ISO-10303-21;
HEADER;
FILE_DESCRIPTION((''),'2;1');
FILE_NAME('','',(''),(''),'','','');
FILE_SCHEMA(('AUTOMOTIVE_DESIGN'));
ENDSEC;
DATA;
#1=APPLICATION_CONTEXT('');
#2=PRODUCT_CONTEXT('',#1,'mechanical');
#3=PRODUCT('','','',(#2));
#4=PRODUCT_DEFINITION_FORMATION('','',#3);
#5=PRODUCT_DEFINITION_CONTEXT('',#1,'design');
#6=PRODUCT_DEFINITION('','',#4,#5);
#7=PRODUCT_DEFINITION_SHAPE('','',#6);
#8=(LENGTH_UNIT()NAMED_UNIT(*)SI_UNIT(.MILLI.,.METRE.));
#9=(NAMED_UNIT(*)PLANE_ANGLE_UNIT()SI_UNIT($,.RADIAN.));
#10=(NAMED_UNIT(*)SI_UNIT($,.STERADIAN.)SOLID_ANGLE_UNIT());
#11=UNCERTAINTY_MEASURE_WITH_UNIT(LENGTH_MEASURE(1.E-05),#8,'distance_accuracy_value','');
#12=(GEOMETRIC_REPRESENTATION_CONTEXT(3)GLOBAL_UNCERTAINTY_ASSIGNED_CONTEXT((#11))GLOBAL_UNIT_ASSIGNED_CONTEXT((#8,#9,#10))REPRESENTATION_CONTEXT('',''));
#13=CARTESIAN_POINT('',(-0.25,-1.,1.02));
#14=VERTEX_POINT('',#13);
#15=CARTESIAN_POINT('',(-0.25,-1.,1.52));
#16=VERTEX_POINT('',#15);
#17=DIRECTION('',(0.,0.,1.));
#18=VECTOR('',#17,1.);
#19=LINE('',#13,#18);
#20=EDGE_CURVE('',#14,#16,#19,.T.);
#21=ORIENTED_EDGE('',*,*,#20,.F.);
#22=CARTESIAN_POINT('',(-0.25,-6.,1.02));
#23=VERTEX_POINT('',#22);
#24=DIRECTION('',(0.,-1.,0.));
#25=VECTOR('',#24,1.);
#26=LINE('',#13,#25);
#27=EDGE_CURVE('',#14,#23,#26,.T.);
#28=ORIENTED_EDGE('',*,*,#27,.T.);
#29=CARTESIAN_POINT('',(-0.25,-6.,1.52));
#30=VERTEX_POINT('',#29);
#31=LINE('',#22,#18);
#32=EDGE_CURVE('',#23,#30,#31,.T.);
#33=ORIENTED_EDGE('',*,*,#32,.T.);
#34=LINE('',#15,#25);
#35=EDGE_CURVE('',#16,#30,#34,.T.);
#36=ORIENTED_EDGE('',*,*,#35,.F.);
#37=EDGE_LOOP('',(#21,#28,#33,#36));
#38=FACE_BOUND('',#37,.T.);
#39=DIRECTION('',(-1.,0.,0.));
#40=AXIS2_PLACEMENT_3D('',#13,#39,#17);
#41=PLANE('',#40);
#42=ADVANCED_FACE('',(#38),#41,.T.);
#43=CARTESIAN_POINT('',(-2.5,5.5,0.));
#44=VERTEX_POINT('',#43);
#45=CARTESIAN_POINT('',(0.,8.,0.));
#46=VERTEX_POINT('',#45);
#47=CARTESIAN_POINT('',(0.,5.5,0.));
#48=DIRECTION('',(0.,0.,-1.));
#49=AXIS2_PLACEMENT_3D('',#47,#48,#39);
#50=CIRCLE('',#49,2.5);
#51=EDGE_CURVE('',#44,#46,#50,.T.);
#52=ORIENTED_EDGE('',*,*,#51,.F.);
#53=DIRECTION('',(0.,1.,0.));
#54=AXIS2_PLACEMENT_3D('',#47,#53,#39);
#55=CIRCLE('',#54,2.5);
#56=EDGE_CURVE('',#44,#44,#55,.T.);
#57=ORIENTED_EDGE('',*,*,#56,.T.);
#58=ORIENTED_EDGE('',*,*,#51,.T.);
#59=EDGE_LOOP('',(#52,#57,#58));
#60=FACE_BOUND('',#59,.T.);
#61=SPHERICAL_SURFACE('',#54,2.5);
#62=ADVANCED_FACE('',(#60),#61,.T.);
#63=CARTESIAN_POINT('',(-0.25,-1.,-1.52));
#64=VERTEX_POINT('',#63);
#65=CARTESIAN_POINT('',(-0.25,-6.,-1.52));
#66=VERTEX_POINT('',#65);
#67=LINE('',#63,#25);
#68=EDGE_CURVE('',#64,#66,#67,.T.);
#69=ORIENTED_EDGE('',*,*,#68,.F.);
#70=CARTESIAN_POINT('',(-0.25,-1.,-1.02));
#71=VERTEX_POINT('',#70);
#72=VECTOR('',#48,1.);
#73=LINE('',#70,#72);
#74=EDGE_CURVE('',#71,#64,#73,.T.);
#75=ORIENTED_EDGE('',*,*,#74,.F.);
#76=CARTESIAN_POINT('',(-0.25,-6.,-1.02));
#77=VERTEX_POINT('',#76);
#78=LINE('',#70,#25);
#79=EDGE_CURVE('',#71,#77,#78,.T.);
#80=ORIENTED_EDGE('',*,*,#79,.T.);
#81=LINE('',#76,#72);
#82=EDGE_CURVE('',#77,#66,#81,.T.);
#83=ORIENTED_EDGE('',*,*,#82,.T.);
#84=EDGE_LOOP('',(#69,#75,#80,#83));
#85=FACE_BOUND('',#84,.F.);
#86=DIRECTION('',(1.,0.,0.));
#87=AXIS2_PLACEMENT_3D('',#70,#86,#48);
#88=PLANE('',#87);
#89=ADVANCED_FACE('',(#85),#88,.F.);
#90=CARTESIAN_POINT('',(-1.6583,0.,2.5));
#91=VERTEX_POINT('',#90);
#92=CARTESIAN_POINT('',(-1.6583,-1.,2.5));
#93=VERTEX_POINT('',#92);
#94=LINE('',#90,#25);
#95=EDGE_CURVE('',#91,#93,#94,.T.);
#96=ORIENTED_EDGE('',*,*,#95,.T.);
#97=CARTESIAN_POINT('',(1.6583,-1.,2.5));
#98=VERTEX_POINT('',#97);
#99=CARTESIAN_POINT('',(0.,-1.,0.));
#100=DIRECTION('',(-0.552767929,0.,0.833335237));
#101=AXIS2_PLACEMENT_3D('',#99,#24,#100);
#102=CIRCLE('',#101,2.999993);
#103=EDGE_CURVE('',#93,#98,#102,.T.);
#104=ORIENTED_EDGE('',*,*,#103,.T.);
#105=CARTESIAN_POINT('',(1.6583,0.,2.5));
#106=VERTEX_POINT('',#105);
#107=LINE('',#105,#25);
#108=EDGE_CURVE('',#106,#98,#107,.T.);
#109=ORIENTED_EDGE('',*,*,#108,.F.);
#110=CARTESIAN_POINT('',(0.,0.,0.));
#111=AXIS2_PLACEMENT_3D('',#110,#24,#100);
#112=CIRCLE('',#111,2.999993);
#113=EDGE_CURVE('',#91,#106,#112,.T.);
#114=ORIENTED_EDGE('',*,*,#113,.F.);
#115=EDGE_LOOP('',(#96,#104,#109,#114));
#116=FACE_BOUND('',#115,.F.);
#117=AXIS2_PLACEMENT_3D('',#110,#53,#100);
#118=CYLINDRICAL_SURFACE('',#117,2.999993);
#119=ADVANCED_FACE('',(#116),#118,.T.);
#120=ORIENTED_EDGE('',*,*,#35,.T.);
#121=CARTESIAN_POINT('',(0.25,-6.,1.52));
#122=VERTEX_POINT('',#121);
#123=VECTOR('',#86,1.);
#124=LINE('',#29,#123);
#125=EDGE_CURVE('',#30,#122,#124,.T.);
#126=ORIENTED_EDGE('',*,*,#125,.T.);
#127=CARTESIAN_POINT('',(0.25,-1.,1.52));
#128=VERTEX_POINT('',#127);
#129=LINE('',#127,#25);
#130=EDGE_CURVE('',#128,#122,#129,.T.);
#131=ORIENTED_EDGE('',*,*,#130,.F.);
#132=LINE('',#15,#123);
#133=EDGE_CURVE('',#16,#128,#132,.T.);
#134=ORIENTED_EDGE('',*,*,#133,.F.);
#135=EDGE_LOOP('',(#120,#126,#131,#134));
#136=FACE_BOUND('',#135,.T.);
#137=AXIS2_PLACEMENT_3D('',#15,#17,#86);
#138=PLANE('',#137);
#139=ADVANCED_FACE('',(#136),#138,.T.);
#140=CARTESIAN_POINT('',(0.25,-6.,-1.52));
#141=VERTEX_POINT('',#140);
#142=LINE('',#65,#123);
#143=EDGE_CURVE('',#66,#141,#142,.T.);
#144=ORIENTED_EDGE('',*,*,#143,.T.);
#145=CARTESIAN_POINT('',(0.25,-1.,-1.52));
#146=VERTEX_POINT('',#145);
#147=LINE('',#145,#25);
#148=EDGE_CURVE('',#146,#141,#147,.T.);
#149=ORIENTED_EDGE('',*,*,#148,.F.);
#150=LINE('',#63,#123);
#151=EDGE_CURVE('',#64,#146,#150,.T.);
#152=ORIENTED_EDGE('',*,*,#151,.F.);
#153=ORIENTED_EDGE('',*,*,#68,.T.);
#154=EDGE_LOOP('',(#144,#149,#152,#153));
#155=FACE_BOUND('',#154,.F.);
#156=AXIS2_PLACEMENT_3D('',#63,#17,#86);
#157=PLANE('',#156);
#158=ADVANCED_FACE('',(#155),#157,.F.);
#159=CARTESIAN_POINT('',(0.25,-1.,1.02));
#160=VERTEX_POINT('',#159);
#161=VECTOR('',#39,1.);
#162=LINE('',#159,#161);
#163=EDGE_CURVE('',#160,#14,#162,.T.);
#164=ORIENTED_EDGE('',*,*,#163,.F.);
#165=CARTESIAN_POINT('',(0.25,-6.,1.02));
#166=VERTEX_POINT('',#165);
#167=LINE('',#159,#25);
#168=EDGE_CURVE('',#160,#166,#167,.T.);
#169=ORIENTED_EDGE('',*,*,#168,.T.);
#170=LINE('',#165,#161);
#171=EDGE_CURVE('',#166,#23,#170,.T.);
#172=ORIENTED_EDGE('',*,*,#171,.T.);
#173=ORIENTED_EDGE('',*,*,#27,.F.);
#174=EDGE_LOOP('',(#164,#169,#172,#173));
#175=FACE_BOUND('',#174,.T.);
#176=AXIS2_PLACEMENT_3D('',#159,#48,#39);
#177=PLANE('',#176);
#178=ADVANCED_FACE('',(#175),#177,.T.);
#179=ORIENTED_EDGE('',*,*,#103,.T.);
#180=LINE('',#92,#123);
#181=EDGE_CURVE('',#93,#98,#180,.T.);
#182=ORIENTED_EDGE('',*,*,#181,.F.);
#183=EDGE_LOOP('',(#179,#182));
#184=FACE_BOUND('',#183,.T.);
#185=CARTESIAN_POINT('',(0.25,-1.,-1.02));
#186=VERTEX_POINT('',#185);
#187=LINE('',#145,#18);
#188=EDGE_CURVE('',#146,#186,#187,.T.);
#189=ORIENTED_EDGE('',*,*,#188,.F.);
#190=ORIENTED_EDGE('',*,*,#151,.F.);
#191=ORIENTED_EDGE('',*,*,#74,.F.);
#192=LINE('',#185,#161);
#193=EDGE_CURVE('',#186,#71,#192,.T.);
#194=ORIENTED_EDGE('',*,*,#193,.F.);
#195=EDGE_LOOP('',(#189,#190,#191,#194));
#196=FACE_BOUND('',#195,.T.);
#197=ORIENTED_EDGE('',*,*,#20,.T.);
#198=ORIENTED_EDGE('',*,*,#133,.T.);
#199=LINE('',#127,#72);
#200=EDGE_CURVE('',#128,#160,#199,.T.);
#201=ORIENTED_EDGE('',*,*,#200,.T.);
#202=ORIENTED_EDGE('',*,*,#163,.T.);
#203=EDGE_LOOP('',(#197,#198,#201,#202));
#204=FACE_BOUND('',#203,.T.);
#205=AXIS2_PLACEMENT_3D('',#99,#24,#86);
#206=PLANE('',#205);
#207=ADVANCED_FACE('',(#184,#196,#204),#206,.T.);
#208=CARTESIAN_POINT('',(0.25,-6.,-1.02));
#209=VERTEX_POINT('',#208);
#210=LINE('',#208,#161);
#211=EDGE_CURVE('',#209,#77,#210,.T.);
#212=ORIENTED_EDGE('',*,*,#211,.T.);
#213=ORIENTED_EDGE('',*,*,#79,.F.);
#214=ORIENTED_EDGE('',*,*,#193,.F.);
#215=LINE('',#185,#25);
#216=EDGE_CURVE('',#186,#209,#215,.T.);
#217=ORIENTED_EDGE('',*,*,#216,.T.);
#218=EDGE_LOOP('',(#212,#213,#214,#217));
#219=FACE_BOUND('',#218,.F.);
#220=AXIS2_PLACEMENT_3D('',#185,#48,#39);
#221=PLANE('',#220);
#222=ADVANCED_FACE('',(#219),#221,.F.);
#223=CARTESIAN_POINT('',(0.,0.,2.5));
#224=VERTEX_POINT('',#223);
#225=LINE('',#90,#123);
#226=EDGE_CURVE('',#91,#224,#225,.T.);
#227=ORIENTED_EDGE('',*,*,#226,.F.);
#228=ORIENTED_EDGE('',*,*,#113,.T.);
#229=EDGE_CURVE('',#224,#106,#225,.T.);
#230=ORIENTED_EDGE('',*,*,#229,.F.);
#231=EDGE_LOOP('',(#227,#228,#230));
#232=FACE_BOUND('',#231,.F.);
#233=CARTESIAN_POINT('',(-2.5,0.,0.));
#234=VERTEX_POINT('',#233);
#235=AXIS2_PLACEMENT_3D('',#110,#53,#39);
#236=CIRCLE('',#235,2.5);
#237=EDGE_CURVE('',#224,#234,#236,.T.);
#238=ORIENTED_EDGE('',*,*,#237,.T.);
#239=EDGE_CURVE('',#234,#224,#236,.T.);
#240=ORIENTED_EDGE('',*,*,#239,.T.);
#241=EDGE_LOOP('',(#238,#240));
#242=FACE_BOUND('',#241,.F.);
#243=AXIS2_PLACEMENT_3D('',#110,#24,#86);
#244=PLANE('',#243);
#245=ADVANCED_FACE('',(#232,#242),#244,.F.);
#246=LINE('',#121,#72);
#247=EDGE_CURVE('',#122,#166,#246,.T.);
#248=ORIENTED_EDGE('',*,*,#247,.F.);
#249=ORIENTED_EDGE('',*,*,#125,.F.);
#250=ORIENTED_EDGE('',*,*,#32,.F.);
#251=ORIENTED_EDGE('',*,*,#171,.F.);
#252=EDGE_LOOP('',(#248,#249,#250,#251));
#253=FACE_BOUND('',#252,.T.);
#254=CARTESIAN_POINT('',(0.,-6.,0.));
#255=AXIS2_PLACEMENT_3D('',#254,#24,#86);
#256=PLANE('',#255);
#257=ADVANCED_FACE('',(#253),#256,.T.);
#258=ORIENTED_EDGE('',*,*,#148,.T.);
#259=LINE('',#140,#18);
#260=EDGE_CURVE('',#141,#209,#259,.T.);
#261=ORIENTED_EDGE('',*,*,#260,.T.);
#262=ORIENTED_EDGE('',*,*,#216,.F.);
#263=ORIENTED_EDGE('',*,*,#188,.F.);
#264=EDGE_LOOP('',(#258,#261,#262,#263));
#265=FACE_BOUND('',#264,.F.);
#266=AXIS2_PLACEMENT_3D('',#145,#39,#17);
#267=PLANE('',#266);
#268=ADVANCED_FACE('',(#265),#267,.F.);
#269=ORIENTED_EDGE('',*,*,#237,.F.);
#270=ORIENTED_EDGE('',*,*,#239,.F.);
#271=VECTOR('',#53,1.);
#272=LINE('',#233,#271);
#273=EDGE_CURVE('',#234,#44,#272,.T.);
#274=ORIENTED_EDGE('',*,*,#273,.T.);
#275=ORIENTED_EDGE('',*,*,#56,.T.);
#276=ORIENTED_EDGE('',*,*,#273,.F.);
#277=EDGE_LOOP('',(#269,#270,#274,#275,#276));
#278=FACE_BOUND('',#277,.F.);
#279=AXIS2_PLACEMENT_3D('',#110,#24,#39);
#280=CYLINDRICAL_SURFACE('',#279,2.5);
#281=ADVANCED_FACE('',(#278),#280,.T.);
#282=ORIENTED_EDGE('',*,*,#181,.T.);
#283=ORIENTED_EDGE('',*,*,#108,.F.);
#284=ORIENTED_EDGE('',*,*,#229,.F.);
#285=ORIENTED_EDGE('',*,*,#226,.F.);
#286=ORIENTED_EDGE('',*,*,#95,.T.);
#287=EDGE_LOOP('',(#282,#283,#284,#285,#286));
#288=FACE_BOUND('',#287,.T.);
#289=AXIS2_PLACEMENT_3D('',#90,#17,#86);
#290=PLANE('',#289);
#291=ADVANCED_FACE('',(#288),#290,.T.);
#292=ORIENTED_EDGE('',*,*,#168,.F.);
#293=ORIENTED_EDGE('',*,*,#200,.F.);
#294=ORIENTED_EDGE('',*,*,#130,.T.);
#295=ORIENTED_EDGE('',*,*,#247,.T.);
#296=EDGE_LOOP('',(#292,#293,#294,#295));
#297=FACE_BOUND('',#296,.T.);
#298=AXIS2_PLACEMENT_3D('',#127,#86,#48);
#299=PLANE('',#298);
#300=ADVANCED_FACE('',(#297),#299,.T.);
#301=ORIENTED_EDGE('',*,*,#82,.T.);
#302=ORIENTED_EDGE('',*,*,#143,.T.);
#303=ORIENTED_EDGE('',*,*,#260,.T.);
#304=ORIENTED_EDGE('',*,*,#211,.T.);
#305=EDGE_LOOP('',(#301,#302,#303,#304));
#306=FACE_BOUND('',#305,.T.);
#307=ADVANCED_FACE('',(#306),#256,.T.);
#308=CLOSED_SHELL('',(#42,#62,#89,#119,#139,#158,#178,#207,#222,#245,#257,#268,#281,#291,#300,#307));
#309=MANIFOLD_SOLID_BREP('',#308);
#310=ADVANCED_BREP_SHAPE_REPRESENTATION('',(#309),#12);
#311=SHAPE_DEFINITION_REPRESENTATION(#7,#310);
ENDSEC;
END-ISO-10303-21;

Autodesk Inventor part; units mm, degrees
ref_plane "YZ Plane" through (0, 0, 0) normal (1, 0, 0) x (0, 1, 0)
ref_plane "XZ Plane" through (0, 0, 0) normal (0, 1, 0) x (-1, 0, 0)
ref_plane "XY Plane" through (0, 0, 0) normal (0, 0, 1) x (1, 0, 0)
sketch "Skizze1" plane through (0, 0, 0) normal (0, 1, 0) x (-1, 0, 0)
  circle A0 centre (0, 0) radius 2.5
  dimension "d0" = 5
extrude "Höhe" add sketch "Skizze1" along normal blind 8
fillet "Radius_Kopf" radius 2.5 1 edges at (2.5, 8, 0)
sketch "Skizze2" plane through (0, 0, 0) normal (0, -1, 0) x (1, 0, 0)
  arc A0 (-1.6583, 2.5) -> (1.6583, 2.5) centre (0, 0) ccw
  line L0 (-1.6583, 2.5) -> (1.6583, 2.5)
  circle A1 centre (0, 0) radius 2.5 projected
  dimension "d4" = 6
extrude "Kante" add sketch "Skizze2" along normal blind 1 contours A1 | L0 A0
sketch "Skizze3" plane through (0, -1, 0) normal (0, -1, 0) x (1, 0, 0)
  circle A0 centre (0, 0) radius 2.5 construction
  line L0 (0, 2.5) -> (0, -3) construction
  arc A1 (-1.6583, 2.5) -> (1.6583, 2.5) centre (0, 0) ccw construction
  line L1 (-2.5, 0) -> (2.5, 0) construction
  line L2 (-0.25, 1.52) -> (0.25, 1.52)
  line L3 (0.25, 1.52) -> (0.25, 1.02)
  line L4 (0.25, 1.02) -> (-0.25, 1.02)
  line L5 (-0.25, 1.02) -> (-0.25, 1.52)
  line L6 (-0.25, 1.27) -> (0.25, 1.27) construction
  line L7 (-0.25, -1.52) -> (0.25, -1.52)
  line L8 (0.25, -1.52) -> (0.25, -1.02)
  line L9 (0.25, -1.02) -> (-0.25, -1.02)
  line L10 (-0.25, -1.02) -> (-0.25, -1.52)
  point P0 (0, 1.27)
  point P1 (0, -1.27)
  dimension "d7" = 2.54
  dimension "d8" = 0.5
  dimension "d9" = 0.5
extrude "Pin" add sketch "Skizze3" along normal blind 5
properties part number "LED_5mm_Gelb"
